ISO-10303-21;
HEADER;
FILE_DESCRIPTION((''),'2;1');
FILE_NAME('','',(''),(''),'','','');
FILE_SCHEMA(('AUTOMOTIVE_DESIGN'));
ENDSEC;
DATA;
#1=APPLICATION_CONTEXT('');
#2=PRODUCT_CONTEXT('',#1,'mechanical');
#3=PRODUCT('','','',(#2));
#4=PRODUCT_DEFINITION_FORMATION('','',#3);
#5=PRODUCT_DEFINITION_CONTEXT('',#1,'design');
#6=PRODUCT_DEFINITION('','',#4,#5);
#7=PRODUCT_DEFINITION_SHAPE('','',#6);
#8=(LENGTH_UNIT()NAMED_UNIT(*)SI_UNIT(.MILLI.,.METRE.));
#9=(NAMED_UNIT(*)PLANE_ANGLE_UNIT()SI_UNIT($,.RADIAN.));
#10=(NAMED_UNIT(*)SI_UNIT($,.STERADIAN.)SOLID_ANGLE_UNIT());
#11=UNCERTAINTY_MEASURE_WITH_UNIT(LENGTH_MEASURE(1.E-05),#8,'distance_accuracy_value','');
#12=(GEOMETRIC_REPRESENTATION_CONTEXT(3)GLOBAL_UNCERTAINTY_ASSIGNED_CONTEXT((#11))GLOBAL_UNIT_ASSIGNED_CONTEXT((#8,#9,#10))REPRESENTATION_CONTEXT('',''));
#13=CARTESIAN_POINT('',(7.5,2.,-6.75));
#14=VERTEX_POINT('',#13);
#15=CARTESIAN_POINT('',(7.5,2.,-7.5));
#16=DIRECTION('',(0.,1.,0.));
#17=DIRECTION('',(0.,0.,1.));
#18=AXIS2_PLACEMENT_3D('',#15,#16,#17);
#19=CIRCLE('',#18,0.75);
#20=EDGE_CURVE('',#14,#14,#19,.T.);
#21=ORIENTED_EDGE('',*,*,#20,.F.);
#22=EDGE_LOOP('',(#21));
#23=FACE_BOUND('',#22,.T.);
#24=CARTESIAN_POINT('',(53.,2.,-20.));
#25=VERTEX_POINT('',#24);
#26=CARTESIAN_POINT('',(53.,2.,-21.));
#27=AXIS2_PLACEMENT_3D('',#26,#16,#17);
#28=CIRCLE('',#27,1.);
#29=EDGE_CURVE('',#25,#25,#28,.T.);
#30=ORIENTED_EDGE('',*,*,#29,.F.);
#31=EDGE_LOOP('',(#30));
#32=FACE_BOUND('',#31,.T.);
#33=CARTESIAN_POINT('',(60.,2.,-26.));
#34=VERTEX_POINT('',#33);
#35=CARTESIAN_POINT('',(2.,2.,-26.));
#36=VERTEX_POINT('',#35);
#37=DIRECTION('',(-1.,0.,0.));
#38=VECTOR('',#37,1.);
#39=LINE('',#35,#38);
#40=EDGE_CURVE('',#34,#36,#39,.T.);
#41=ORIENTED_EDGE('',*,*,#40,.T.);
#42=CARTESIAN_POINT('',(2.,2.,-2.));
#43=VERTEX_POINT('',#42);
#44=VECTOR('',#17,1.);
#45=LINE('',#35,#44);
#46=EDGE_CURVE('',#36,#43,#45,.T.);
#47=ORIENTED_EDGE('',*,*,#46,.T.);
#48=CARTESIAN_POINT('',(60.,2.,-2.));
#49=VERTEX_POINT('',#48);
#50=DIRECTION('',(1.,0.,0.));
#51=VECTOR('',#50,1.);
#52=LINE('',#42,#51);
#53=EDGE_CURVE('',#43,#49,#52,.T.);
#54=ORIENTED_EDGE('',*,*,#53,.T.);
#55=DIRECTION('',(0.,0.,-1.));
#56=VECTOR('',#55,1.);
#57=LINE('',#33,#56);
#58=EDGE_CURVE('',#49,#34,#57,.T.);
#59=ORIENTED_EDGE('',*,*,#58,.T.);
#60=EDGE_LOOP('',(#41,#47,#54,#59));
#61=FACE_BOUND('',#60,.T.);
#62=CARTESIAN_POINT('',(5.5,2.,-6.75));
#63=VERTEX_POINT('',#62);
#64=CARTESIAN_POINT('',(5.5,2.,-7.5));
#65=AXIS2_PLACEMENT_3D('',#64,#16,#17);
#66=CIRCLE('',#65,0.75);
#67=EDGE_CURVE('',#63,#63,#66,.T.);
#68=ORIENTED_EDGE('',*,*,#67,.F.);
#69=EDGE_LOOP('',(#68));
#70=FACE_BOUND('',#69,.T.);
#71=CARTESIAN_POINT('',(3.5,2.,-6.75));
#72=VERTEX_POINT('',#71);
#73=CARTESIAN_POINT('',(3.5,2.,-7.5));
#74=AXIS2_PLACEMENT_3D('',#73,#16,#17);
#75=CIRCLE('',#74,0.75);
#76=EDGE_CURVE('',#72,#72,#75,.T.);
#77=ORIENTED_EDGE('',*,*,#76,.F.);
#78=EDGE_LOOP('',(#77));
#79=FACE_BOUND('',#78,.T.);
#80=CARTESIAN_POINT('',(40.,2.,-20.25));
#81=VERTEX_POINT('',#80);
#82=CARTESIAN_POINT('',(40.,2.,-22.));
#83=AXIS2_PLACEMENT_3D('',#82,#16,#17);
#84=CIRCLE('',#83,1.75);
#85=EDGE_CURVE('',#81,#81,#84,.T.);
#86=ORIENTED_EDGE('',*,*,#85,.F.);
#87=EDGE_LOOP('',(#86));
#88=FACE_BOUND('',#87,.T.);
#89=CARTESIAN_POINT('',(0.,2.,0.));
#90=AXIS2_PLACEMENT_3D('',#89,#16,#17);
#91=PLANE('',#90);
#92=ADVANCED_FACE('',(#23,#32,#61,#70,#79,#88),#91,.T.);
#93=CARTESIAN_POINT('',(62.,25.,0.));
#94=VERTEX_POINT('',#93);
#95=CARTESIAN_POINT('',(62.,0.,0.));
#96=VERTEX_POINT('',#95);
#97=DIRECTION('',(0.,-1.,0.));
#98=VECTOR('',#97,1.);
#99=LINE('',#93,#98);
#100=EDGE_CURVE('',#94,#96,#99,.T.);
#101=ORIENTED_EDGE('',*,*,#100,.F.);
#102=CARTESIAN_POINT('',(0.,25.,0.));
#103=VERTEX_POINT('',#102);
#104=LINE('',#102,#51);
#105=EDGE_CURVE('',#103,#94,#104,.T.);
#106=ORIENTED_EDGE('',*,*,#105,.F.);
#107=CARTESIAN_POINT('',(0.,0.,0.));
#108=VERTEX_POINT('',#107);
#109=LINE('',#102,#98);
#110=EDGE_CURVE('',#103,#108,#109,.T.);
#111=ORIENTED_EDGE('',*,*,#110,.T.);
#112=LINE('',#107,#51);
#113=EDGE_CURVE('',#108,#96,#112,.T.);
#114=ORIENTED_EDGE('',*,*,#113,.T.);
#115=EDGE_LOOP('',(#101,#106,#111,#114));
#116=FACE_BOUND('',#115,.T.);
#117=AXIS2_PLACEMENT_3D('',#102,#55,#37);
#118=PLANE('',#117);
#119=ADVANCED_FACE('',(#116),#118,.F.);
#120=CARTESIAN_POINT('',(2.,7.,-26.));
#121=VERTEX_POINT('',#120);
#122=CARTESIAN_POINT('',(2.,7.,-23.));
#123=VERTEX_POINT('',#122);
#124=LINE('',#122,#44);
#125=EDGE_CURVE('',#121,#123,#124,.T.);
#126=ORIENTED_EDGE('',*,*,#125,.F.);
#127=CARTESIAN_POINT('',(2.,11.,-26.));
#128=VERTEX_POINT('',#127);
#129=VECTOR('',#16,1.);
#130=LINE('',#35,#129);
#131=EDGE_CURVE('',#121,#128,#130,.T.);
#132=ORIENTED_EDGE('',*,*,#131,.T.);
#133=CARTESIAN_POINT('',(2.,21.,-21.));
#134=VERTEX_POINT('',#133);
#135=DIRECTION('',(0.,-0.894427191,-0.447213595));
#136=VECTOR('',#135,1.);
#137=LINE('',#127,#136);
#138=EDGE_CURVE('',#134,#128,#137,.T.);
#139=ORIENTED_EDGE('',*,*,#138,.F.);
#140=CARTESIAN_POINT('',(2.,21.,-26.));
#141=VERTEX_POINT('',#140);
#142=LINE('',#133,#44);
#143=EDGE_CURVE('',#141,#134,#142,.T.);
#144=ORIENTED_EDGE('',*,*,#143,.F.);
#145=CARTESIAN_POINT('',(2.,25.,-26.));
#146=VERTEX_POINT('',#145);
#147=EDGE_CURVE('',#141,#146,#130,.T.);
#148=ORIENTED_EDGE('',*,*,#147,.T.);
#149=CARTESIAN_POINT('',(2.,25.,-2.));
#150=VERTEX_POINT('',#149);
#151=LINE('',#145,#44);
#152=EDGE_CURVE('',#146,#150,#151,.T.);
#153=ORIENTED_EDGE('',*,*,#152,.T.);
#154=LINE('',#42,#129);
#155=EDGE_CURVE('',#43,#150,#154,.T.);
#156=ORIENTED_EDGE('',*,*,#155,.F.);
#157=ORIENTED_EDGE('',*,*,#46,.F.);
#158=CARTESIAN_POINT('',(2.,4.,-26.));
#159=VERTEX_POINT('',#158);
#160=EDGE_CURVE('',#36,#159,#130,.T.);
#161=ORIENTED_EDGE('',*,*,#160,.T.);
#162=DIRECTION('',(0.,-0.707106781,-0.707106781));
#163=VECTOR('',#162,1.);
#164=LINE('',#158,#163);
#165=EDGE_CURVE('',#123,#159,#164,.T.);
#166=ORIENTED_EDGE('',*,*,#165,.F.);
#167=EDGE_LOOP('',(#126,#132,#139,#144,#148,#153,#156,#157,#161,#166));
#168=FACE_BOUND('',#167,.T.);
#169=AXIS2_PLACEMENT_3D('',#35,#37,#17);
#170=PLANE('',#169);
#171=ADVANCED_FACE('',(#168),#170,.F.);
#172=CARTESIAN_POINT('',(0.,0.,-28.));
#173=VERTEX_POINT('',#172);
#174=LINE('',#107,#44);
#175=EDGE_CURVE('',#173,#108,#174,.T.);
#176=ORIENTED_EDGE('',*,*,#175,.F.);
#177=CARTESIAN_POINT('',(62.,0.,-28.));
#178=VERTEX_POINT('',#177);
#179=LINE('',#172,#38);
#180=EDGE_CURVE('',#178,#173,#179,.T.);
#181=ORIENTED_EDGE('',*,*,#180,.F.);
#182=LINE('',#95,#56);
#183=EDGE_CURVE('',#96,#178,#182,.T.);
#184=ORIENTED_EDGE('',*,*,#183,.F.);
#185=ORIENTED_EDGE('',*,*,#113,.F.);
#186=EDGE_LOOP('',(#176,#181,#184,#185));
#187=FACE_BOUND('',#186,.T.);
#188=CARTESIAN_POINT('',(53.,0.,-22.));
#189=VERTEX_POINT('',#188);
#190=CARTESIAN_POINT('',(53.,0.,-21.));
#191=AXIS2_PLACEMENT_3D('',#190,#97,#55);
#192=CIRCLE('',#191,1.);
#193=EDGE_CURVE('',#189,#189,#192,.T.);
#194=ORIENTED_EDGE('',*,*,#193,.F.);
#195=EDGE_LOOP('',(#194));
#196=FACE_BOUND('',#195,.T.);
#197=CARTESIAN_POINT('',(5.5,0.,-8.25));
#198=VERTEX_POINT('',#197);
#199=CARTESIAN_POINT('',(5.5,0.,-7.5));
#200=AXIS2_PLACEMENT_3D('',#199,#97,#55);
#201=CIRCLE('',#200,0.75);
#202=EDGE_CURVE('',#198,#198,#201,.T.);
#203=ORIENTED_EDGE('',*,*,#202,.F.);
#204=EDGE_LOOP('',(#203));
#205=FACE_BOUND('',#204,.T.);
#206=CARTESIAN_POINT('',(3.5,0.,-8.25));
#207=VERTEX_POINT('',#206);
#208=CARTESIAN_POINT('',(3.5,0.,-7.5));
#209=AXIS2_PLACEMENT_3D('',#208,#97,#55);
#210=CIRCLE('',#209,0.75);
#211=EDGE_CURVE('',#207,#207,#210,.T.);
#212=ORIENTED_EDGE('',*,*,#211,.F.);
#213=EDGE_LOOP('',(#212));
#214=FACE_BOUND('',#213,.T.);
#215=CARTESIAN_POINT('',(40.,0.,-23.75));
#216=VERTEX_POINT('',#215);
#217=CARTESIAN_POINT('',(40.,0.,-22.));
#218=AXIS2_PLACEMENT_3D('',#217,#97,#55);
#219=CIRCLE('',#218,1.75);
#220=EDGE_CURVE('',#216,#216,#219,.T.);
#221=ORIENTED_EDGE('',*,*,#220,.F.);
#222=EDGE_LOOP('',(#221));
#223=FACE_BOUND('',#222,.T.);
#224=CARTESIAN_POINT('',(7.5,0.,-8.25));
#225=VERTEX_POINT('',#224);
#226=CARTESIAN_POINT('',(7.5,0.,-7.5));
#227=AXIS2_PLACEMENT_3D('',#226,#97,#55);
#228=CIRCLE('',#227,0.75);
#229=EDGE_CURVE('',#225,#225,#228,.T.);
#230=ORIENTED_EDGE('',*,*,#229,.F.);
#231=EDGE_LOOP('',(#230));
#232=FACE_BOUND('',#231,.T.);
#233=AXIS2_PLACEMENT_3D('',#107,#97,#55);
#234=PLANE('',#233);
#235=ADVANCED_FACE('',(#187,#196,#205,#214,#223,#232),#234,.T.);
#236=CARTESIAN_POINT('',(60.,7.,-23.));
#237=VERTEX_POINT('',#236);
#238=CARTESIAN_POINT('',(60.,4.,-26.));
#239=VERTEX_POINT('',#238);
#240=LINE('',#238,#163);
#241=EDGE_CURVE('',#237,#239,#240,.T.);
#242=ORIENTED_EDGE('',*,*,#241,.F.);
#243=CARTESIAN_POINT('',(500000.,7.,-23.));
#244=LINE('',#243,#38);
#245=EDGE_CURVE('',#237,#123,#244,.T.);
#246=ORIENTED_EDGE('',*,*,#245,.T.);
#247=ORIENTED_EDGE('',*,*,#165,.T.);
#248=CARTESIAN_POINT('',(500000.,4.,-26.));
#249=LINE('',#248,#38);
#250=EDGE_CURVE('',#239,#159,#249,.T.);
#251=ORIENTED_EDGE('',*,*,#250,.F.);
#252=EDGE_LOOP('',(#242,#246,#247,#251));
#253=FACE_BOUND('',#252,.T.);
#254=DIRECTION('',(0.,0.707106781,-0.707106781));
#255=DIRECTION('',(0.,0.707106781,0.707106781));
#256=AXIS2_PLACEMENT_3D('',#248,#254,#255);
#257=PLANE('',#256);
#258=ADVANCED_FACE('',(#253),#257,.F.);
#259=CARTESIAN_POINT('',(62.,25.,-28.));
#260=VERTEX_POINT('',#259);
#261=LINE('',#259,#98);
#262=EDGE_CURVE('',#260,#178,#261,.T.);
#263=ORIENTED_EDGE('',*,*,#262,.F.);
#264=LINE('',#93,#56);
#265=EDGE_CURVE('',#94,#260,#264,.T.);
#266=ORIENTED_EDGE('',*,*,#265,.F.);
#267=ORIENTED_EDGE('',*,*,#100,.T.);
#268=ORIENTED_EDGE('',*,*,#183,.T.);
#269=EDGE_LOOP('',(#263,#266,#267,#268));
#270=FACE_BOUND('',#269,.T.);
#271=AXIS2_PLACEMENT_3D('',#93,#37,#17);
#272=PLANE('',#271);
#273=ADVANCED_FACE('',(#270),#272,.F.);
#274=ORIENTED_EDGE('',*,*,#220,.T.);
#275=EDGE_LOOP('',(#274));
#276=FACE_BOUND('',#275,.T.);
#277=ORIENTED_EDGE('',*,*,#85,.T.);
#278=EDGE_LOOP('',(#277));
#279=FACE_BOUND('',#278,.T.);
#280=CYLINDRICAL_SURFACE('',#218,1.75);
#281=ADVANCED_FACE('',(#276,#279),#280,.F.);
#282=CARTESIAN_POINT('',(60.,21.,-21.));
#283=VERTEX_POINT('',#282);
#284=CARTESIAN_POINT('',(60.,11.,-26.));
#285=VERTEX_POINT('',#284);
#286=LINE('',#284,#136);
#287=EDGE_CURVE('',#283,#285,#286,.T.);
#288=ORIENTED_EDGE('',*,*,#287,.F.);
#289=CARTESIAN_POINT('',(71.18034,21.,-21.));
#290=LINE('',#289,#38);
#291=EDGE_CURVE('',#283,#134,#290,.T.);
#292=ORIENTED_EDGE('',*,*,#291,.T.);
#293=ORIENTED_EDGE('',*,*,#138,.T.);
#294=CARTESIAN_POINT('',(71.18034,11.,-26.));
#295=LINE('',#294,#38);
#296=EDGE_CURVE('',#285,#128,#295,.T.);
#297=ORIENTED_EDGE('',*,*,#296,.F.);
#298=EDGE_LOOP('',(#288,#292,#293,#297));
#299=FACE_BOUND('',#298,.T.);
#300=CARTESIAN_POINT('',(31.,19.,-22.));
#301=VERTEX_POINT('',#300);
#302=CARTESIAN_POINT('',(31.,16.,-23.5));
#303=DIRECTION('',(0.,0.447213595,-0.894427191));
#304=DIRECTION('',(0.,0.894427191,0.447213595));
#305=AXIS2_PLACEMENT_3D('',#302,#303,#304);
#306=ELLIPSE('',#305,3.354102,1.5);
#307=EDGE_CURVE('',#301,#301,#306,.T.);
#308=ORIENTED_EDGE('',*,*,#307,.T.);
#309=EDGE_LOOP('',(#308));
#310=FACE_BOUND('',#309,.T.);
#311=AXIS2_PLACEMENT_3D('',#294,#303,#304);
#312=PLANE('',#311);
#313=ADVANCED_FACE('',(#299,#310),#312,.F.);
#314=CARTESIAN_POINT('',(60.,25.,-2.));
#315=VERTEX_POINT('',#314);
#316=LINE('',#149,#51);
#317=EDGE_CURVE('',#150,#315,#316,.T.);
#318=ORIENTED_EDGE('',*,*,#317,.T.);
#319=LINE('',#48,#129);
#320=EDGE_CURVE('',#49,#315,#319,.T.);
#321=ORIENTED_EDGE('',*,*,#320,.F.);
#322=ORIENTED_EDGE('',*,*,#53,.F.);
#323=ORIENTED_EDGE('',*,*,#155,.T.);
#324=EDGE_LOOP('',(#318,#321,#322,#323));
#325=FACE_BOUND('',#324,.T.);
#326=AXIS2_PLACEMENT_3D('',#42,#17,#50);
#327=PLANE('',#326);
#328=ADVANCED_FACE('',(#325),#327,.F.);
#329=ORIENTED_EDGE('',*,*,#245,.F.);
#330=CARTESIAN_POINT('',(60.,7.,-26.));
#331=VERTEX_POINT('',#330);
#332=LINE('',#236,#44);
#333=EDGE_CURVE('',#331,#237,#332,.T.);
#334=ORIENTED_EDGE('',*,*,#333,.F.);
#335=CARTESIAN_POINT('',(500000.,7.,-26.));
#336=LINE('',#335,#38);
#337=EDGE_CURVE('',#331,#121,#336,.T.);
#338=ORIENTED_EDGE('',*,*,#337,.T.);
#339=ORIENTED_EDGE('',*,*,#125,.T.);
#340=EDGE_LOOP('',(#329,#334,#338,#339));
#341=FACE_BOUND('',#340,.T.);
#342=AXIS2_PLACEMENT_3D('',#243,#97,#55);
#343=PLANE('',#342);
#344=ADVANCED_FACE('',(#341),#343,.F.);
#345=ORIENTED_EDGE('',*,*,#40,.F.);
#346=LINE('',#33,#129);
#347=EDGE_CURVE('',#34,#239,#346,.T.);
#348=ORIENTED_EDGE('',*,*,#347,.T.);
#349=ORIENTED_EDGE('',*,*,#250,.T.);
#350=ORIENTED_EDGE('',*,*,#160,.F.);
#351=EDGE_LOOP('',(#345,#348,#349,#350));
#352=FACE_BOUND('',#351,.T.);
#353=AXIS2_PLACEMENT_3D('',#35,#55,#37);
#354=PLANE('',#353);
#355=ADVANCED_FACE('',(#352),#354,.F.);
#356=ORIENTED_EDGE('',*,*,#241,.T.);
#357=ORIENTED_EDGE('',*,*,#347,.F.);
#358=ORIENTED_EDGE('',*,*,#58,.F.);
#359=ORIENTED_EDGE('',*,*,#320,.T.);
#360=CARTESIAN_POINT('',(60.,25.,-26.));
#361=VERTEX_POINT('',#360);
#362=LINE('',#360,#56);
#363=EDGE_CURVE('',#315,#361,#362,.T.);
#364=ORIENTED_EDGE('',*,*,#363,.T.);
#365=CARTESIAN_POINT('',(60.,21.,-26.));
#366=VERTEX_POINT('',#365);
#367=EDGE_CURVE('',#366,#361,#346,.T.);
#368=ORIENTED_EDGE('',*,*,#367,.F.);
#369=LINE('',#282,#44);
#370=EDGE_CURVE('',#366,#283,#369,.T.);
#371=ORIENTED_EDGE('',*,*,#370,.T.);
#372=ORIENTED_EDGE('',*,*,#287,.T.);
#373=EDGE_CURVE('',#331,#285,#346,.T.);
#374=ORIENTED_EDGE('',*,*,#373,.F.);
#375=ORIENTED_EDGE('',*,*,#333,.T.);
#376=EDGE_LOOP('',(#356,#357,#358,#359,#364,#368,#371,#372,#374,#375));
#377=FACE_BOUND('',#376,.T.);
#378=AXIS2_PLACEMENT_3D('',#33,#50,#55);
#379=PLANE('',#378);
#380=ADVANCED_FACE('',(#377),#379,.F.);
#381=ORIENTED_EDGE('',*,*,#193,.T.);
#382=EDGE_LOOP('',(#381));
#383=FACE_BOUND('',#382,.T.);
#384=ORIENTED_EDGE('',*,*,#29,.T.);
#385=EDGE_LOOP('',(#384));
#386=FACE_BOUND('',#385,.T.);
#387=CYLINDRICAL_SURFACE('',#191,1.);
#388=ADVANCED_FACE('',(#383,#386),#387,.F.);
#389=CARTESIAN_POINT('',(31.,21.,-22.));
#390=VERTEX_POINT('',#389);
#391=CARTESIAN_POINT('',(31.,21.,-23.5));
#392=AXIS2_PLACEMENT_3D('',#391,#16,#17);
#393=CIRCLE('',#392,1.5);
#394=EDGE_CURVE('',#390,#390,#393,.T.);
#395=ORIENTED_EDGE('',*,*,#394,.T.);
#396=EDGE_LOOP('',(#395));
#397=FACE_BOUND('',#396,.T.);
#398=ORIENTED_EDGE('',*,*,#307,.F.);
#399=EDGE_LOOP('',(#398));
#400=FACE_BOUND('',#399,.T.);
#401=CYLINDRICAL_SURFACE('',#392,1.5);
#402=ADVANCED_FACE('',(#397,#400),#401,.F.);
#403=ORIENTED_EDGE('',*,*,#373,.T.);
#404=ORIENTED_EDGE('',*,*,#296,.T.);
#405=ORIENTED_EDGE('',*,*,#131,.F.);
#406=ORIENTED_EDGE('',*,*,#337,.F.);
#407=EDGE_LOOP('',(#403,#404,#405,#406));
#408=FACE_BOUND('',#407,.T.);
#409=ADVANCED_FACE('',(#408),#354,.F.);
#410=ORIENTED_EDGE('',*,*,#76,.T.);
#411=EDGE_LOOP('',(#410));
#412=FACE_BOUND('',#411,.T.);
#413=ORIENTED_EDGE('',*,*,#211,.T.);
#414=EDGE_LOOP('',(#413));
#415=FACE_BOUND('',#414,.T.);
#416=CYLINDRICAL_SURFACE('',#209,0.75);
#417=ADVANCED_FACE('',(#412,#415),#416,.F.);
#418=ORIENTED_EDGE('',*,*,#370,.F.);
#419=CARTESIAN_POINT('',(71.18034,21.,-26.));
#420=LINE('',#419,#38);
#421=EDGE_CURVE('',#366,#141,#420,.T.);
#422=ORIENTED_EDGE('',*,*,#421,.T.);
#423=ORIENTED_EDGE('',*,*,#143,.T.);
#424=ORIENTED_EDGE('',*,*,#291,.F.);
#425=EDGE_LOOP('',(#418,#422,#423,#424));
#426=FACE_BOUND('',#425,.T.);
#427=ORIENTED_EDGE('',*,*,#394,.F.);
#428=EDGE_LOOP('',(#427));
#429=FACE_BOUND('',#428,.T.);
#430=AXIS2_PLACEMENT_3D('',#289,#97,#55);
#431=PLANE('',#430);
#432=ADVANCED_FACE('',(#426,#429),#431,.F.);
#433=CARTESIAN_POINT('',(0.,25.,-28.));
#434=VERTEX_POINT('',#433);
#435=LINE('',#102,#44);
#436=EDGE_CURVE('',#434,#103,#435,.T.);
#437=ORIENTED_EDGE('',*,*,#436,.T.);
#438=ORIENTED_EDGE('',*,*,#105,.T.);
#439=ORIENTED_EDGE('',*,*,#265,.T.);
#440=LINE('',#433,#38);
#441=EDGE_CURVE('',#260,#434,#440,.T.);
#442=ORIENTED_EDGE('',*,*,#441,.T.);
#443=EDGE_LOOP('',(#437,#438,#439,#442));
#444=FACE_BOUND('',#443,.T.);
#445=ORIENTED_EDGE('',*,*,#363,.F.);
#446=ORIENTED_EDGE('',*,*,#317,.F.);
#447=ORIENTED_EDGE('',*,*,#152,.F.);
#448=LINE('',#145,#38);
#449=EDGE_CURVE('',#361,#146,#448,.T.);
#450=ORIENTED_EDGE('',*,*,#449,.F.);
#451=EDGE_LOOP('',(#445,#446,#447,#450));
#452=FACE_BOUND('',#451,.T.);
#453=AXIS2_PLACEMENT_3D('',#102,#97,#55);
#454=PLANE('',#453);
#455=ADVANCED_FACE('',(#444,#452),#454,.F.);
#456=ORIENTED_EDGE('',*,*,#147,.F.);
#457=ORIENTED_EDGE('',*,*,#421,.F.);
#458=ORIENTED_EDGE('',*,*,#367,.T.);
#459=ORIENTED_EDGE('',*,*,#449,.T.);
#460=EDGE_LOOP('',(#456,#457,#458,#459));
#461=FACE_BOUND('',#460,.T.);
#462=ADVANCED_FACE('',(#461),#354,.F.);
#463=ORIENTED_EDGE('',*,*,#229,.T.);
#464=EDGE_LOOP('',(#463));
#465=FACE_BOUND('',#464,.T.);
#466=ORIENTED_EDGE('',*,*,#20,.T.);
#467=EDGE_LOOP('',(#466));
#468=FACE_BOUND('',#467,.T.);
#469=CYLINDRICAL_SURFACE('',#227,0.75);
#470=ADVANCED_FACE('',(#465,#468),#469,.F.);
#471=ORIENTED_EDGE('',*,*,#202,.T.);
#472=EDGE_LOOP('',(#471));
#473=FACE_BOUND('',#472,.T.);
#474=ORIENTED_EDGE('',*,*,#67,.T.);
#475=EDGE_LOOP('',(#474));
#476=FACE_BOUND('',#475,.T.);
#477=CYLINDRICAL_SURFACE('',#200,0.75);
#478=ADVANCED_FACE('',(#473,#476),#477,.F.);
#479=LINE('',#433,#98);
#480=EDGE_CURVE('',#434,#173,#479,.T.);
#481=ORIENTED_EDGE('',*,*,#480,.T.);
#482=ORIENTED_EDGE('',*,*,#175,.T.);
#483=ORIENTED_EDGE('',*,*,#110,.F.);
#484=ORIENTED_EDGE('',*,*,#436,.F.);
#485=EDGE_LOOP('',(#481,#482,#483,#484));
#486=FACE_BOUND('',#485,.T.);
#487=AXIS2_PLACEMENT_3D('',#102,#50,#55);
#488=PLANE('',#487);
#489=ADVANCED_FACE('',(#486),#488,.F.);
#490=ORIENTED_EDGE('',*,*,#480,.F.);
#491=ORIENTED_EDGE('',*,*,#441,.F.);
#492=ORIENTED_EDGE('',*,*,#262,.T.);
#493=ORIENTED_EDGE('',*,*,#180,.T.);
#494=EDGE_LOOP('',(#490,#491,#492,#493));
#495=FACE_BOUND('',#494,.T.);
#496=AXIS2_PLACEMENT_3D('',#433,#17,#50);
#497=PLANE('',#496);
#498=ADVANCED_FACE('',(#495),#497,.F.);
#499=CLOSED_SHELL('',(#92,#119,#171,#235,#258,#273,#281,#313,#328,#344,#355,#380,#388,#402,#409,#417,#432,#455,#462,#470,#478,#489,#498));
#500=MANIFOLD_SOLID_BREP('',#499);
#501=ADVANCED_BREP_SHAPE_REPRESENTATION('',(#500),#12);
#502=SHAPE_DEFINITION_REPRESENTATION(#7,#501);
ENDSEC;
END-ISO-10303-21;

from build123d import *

# Parameters (mm, degrees)
SKETCH1_W                      = 62
SKETCH1_H                      = 28
BOSS_EXTRUDE1_DEPTH            = 25
SKETCH2_W                      = 58
SKETCH2_H                      = 24
CUT_EXTRUDE1_DEPTH             = 23
BOSS_EXTRUDE3_DEPTH            = 58
F_1_5_1_5_DIAMETER_HOLE1_D     = 1.5
F_2_0_2_DIAMETER_HOLE1_D       = 2
F_2_0_2_DIAMETER_HOLE1_DEPTH   = 2
F_3_5_3_5_DIAMETER_HOLE1_D     = 3.5
F_3_5_3_5_DIAMETER_HOLE1_DEPTH = 2
BOSS_EXTRUDE4_REACH            = 72.774
F_3_0_3_DIAMETER_HOLE1_REACH   = 73.197
F_3_0_3_DIAMETER_HOLE1_BORE_R  = 1.5


with BuildPart() as part:
    # Sketch1 → Boss-Extrude1 (new body)
    with BuildSketch(Plane(origin=(0, 0, 0), x_dir=(1, 0, 0), z_dir=(0, 1, 0))):
        with Locations((31, 14)):
            Rectangle(SKETCH1_W, SKETCH1_H)
    extrude(amount=BOSS_EXTRUDE1_DEPTH)

    # Sketch2 → Cut-Extrude1 (cut)
    with BuildSketch(Plane(origin=(0, 25, 0), x_dir=(1, 0, 0), z_dir=(0, 1, 0))):
        with Locations((31, 14)):
            Rectangle(SKETCH2_W, SKETCH2_H)
    extrude(amount=-CUT_EXTRUDE1_DEPTH, mode=Mode.SUBTRACT)

    # Sketch3 → Boss-Extrude3 (add)
    with BuildSketch(Plane(origin=(2, 0, 0), x_dir=(0, 0, -1), z_dir=(1, 0, 0))):
        Polygon((26, 11), (21, 21), (26, 21), align=None)
    extrude(amount=BOSS_EXTRUDE3_DEPTH)

    # Ø1.5 (1.5) Diameter Hole1 (through all)
    with Locations(Plane(origin=(0, 0, 0), x_dir=(-1, 0, 0), z_dir=(0, -1, 0))):
        with Locations((-7.5, 7.5), (-5.5, 7.5), (-3.5, 7.5)):
            Hole(F_1_5_1_5_DIAMETER_HOLE1_D / 2)

    # Ø2.0 (2) Diameter Hole1
    with Locations(Plane(origin=(0, 0, 0), x_dir=(-1, 0, 0), z_dir=(0, -1, 0))):
        with Locations((-53, 21)):
            Hole(F_2_0_2_DIAMETER_HOLE1_D / 2, depth=F_2_0_2_DIAMETER_HOLE1_DEPTH)

    # Ø3.5 (3.5) Diameter Hole1
    with Locations(Plane(origin=(0, 0, 0), x_dir=(-1, 0, 0), z_dir=(0, -1, 0))):
        with Locations((-40, 22)):
            Hole(F_3_5_3_5_DIAMETER_HOLE1_D / 2, depth=F_3_5_3_5_DIAMETER_HOLE1_DEPTH)

    # Sketch10 → Boss-Extrude4 (add, up to next)
    with BuildSketch(Plane(origin=(2, 0, 0), x_dir=(0, 0, -1), z_dir=(1, 0, 0)), mode=Mode.PRIVATE) as boss_extrude4_sk1:
        Polygon((26, 4), (23, 7), (26, 7), align=None)
    boss_extrude4_tool1 = extrude(boss_extrude4_sk1.sketch, amount=BOSS_EXTRUDE4_REACH, mode=Mode.PRIVATE) - part.part
    add(boss_extrude4_tool1.solids().sort_by_distance((2, 6, -25))[0])

    # Ø3.0 (3) Diameter Hole1 bore → Ø3.0 (3) Diameter Hole1 (cut, up to next)
    with BuildSketch(Plane(origin=(0, 21, 0), x_dir=(1, 0, 0), z_dir=(0, 1, 0)), mode=Mode.PRIVATE) as f_3_0_3_diameter_hole1_sk1:
        with Locations((31, 23.5)):
            Circle(F_3_0_3_DIAMETER_HOLE1_BORE_R)
    f_3_0_3_diameter_hole1_tool1 = extrude(f_3_0_3_diameter_hole1_sk1.sketch, amount=-F_3_0_3_DIAMETER_HOLE1_REACH, mode=Mode.PRIVATE) & part.part
    add(f_3_0_3_diameter_hole1_tool1.solids().sort_by_distance((31, 21, -23.5))[0], mode=Mode.SUBTRACT)


solid = part.part
